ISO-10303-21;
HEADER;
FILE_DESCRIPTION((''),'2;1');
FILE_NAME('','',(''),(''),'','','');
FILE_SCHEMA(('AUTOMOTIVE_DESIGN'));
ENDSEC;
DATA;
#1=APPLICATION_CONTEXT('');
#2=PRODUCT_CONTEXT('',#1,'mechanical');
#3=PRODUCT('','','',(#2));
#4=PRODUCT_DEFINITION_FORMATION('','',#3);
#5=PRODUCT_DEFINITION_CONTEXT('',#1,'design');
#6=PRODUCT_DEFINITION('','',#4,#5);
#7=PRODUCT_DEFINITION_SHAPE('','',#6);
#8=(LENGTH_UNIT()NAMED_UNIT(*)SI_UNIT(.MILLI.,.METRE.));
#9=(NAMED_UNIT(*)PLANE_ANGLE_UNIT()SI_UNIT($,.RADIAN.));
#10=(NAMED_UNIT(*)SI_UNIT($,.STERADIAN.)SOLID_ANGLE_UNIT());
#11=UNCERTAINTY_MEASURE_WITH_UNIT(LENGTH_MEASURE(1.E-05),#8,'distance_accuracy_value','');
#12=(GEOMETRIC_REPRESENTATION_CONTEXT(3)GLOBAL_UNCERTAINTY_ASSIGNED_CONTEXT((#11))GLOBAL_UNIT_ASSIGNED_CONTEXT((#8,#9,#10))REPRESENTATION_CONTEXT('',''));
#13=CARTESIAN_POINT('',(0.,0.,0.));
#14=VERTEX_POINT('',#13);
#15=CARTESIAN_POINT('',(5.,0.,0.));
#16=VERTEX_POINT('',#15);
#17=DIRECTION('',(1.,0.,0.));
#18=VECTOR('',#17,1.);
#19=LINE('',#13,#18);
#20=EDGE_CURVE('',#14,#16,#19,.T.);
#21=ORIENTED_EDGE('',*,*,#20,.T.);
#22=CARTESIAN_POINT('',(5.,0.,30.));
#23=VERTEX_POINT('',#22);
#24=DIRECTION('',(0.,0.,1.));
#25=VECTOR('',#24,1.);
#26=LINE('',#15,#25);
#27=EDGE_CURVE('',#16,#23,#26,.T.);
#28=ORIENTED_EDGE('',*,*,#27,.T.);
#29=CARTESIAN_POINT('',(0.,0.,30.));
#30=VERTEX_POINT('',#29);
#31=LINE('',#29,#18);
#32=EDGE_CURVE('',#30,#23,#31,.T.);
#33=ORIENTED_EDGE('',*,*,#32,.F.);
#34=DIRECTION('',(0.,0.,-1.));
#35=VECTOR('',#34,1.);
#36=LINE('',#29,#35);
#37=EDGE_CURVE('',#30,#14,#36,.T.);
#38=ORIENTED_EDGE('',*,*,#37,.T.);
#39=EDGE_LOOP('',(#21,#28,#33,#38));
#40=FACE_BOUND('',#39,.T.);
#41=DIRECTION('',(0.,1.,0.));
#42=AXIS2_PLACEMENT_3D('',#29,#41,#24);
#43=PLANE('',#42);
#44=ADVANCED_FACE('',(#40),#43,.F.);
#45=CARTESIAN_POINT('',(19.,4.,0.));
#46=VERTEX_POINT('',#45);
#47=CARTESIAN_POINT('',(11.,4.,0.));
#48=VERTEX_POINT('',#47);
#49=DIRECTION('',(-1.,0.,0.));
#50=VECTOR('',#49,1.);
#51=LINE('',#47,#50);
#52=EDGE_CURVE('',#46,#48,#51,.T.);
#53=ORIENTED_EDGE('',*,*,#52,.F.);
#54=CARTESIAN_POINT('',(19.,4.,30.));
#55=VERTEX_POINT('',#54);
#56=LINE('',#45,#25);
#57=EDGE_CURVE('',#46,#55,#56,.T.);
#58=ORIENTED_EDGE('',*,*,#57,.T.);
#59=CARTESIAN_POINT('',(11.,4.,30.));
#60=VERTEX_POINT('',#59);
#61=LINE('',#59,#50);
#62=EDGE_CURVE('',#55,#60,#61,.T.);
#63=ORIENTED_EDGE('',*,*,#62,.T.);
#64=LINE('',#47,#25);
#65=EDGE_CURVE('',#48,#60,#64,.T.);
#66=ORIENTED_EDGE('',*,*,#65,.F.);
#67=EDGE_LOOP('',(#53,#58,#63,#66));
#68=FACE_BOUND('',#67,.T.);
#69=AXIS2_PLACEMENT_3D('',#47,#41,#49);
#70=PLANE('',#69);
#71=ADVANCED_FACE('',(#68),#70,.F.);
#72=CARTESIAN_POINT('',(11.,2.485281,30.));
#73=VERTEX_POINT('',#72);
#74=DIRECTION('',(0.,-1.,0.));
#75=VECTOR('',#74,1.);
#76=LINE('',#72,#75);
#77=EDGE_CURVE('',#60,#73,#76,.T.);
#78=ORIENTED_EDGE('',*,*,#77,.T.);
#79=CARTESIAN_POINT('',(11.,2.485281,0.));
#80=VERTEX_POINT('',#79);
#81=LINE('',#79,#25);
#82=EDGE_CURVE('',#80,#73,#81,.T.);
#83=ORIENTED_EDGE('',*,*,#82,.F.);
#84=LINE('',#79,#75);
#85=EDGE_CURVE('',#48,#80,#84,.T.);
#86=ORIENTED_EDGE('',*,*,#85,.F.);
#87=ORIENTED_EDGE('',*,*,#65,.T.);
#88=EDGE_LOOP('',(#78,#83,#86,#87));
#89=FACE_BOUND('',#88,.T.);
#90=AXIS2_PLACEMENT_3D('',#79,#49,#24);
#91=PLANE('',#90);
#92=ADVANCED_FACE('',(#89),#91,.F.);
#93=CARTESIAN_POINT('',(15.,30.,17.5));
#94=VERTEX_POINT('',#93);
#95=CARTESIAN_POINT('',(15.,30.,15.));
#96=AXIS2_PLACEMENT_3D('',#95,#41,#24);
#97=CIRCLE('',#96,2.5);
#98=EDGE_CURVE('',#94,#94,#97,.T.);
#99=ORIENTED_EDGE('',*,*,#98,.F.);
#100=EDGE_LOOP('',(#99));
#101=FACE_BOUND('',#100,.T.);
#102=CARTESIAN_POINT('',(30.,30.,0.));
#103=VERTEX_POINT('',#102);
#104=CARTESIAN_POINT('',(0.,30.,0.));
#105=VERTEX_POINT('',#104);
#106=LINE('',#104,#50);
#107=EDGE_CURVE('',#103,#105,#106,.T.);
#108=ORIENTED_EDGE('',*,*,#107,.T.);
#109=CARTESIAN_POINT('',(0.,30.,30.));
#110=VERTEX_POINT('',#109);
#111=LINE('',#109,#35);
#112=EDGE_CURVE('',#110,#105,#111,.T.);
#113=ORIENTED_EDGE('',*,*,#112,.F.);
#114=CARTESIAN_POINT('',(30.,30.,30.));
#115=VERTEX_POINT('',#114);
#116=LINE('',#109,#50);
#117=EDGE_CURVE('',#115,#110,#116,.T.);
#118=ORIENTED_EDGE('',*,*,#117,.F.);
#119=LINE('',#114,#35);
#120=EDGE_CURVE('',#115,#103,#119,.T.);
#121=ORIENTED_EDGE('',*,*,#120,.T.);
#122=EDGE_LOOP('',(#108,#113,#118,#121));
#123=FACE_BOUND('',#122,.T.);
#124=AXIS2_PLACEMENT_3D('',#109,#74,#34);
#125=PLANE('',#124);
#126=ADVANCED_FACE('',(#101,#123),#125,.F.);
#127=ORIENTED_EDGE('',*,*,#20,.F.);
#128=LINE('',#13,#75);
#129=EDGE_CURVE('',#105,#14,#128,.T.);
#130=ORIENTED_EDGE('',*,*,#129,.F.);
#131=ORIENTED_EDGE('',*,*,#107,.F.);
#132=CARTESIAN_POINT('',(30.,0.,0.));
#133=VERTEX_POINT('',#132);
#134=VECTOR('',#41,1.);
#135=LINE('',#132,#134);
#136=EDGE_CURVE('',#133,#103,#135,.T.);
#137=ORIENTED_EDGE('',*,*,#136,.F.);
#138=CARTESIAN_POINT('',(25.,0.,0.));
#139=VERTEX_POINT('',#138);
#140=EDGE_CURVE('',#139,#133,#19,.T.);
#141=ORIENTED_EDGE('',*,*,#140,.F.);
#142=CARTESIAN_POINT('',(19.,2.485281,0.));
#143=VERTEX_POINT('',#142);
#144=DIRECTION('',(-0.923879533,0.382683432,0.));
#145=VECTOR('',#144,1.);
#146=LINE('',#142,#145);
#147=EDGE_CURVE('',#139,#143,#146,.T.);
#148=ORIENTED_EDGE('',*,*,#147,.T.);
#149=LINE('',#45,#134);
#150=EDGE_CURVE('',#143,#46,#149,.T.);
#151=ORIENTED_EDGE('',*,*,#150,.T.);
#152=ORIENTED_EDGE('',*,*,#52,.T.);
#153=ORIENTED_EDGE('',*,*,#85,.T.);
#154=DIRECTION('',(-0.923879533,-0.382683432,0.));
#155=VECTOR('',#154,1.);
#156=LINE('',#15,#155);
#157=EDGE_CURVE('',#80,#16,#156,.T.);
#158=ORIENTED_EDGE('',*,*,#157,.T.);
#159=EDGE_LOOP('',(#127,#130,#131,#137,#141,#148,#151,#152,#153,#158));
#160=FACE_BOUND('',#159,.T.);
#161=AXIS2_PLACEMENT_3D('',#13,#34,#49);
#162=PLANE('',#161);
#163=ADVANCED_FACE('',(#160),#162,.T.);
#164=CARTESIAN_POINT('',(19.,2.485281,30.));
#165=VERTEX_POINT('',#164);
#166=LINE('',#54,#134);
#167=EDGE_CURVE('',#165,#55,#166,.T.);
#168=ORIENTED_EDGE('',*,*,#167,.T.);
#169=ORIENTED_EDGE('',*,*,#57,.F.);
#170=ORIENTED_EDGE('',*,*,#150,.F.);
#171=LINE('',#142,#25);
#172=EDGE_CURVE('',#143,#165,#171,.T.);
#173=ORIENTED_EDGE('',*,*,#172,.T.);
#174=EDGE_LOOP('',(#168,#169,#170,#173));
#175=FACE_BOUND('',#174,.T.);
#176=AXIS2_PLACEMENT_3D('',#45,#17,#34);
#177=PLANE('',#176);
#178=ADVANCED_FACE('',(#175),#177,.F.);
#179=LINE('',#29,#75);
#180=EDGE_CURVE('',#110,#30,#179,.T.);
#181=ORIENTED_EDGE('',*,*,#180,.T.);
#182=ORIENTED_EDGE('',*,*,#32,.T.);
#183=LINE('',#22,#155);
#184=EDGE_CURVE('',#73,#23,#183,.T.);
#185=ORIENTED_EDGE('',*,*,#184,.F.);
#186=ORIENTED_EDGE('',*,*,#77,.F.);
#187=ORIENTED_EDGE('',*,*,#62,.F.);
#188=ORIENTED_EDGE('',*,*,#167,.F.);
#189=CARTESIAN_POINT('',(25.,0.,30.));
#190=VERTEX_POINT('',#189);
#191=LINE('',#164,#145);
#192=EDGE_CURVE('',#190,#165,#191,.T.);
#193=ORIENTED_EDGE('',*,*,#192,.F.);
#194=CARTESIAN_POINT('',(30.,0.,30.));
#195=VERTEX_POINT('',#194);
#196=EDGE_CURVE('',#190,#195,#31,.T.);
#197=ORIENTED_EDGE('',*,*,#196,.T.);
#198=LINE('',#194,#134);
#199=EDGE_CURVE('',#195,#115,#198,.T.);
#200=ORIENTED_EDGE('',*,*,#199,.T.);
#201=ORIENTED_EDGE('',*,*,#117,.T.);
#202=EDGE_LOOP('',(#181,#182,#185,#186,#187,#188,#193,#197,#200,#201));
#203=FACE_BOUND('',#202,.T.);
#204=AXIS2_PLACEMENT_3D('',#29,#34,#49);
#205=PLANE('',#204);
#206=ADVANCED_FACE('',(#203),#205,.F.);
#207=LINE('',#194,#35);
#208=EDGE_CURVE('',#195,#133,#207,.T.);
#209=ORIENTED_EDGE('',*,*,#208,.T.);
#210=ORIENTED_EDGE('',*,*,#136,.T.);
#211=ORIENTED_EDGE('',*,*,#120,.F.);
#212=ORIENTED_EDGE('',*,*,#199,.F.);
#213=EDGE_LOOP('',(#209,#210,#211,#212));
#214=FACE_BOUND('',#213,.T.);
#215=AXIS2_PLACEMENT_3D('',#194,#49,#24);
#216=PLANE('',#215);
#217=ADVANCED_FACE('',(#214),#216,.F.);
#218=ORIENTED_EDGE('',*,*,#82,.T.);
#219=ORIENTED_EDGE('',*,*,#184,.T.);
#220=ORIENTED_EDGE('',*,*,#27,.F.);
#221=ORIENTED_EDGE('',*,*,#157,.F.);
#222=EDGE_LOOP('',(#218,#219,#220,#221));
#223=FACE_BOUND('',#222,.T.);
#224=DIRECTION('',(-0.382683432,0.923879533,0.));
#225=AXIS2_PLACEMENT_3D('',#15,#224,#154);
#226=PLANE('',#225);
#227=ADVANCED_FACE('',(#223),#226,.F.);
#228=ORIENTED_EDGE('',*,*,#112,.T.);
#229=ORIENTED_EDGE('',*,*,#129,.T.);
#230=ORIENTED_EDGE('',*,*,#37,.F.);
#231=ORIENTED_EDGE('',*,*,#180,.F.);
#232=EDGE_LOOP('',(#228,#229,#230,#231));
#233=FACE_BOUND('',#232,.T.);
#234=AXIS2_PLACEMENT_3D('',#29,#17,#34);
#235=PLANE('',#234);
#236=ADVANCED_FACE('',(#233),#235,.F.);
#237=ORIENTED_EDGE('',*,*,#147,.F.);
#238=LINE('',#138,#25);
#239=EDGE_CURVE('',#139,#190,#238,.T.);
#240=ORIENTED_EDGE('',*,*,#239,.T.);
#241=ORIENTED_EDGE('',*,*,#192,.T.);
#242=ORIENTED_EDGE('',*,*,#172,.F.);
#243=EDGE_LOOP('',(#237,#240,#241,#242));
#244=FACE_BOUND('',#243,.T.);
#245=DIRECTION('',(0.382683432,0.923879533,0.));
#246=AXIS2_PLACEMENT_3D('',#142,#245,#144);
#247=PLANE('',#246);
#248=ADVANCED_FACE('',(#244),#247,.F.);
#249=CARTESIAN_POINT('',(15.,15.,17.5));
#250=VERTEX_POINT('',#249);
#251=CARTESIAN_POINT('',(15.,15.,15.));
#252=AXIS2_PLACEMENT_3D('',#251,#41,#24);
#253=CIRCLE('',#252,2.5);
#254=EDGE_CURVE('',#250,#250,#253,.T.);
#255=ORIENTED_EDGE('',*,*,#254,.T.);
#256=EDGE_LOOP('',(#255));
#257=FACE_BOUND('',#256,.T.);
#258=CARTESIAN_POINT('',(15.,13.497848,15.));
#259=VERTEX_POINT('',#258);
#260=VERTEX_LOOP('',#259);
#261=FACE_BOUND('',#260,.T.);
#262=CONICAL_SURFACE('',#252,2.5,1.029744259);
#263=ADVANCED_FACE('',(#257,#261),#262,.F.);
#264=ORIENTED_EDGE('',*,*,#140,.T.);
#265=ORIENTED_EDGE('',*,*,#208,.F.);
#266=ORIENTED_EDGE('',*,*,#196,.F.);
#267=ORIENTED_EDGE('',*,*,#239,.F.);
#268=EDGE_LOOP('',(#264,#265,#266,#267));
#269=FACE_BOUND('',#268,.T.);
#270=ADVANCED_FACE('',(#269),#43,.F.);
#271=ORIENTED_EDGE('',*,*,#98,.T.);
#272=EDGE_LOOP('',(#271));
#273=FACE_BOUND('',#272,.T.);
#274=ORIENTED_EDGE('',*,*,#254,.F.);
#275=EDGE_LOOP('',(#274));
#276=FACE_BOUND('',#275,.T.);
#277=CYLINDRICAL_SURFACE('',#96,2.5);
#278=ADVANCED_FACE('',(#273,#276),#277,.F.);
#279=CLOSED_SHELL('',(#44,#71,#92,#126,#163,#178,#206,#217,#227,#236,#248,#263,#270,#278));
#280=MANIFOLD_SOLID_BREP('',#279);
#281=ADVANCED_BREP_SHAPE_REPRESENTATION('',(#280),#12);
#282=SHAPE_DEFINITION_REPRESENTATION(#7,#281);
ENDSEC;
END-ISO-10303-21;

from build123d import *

# Parameters (mm, degrees)
SKETCH_1_W             = 30
SKETCH_1_H             = 30
EXTRUDE_1_DEPTH        = 30
CUT_EXTRUDE_1_DEPTH    = 52.961524227
HOLE_WIZARD_M6_1_D     = 5
HOLE_WIZARD_M6_1_DEPTH = 15
HOLE_WIZARD_M6_1_TIP   = 1.502151548


with BuildPart() as part:
    # 草图1 → 凸台-拉伸1 (new body)
    with BuildSketch(Plane.XY):
        with Locations((15, 15)):
            Rectangle(SKETCH_1_W, SKETCH_1_H)
    extrude(amount=EXTRUDE_1_DEPTH)

    # 草图2 → 切除-拉伸1 (cut, through all)
    with BuildSketch(Plane.XY.offset(30)):
        Polygon((5, 0), (11, 2.485281374), (11, 4), (19, 4), (19, 2.485281374), (25, 0), align=None)
    extrude(amount=-CUT_EXTRUDE_1_DEPTH, mode=Mode.SUBTRACT)

    # M6 螺纹孔1
    with Locations(Plane(origin=(0, 30, 0), x_dir=(1, 0, 0), z_dir=(0, 1, 0))):
        with Locations((15, -15)):
            Hole(HOLE_WIZARD_M6_1_D / 2, depth=HOLE_WIZARD_M6_1_DEPTH)
            with Locations((0, 0, -(HOLE_WIZARD_M6_1_DEPTH + HOLE_WIZARD_M6_1_TIP / 2))):  # 118° drill point
                Cone(0, HOLE_WIZARD_M6_1_D / 2, HOLE_WIZARD_M6_1_TIP, mode=Mode.SUBTRACT)


solid = part.part
